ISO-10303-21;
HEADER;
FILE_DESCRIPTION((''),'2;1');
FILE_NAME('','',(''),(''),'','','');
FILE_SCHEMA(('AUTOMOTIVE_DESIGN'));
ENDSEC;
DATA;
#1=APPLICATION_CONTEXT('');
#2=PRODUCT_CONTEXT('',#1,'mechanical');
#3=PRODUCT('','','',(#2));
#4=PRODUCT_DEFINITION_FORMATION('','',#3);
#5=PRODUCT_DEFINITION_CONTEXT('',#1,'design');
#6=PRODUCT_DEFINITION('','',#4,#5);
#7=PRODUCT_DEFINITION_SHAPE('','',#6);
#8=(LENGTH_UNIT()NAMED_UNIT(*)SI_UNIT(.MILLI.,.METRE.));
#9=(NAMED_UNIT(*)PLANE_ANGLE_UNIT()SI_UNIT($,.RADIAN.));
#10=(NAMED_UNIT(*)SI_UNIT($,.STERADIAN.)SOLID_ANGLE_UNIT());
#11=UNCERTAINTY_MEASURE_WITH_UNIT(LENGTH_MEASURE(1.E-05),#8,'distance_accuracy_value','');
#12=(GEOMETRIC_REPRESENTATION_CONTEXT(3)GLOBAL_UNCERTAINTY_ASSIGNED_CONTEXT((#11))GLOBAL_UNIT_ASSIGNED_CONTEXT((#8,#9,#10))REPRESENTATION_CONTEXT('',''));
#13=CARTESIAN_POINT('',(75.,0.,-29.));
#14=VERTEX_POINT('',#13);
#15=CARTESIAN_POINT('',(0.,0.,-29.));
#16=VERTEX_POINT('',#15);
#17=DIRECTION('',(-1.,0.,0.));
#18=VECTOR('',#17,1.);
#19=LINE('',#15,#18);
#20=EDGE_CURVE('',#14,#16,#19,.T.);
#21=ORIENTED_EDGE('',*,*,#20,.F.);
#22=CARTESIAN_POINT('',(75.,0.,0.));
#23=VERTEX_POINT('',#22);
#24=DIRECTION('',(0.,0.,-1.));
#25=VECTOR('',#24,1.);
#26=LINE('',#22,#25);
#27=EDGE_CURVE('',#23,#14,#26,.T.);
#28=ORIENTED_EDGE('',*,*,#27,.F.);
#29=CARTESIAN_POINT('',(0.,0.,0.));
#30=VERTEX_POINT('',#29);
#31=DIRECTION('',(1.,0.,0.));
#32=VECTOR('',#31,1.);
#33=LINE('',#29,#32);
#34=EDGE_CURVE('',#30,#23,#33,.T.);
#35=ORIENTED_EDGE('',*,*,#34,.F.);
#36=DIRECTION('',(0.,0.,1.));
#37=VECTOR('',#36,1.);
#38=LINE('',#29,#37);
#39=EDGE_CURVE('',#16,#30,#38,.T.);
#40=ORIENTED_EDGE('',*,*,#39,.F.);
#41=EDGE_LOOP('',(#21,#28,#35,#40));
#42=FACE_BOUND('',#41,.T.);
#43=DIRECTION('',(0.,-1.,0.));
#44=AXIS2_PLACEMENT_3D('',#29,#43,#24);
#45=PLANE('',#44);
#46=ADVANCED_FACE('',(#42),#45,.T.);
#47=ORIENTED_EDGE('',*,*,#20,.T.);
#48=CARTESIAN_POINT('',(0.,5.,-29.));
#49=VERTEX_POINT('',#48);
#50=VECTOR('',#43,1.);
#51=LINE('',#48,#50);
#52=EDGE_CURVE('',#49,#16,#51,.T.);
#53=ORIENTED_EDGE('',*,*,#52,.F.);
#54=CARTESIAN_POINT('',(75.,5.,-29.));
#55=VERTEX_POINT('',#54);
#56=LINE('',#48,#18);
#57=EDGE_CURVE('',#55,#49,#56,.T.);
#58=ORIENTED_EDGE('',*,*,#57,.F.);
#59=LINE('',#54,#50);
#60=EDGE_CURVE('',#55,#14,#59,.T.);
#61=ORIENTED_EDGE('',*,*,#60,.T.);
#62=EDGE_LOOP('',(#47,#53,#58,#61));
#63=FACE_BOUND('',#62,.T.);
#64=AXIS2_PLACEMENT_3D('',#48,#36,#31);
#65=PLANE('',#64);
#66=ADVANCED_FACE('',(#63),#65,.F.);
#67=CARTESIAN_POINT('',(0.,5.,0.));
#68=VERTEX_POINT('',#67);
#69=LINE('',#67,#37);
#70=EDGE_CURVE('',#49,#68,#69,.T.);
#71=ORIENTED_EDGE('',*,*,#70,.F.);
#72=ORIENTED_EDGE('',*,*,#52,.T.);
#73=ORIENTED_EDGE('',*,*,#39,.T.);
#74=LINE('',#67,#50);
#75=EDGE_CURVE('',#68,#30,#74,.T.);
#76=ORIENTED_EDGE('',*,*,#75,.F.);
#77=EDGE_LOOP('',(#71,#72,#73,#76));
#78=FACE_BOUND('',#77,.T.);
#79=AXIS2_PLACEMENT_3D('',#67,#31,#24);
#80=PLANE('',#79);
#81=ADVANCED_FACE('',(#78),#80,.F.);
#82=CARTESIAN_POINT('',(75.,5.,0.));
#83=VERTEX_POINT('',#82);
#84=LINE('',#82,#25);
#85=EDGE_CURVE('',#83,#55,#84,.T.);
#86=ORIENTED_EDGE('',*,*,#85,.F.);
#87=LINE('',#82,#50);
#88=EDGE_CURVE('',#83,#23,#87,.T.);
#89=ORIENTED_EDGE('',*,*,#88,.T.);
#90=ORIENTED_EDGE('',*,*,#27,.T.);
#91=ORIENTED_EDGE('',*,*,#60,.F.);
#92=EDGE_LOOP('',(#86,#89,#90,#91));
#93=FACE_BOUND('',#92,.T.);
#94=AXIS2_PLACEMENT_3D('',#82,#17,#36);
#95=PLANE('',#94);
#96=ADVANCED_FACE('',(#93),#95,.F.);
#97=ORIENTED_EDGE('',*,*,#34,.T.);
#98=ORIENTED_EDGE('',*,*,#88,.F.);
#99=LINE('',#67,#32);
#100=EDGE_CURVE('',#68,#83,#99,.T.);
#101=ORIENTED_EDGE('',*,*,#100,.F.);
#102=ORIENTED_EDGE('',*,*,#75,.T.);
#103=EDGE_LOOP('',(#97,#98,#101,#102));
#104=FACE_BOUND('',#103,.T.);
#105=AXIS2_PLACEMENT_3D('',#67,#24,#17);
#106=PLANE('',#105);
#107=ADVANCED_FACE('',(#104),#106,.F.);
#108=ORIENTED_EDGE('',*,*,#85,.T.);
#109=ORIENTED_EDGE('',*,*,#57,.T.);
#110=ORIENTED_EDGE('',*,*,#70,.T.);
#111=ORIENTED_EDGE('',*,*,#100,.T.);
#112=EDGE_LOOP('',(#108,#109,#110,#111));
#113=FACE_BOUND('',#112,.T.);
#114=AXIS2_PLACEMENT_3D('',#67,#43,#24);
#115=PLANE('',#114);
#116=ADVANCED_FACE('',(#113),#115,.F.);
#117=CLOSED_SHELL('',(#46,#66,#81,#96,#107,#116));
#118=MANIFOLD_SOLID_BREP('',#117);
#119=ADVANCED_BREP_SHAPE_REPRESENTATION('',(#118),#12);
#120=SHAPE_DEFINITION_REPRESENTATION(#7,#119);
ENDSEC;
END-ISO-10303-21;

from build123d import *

# Parameters (mm, degrees)
SKETCH_1_W      = 75
SKETCH_1_H      = 29
EXTRUDE_1_DEPTH = 5


with BuildPart() as part:
    # 草图1 → 凸台-拉伸1 (new body)
    with BuildSketch(Plane(origin=(0, 0, 0), x_dir=(1, 0, 0), z_dir=(0, 1, 0))):
        with Locations((37.5, 14.5)):
            Rectangle(SKETCH_1_W, SKETCH_1_H)
    extrude(amount=EXTRUDE_1_DEPTH)


solid = part.part
